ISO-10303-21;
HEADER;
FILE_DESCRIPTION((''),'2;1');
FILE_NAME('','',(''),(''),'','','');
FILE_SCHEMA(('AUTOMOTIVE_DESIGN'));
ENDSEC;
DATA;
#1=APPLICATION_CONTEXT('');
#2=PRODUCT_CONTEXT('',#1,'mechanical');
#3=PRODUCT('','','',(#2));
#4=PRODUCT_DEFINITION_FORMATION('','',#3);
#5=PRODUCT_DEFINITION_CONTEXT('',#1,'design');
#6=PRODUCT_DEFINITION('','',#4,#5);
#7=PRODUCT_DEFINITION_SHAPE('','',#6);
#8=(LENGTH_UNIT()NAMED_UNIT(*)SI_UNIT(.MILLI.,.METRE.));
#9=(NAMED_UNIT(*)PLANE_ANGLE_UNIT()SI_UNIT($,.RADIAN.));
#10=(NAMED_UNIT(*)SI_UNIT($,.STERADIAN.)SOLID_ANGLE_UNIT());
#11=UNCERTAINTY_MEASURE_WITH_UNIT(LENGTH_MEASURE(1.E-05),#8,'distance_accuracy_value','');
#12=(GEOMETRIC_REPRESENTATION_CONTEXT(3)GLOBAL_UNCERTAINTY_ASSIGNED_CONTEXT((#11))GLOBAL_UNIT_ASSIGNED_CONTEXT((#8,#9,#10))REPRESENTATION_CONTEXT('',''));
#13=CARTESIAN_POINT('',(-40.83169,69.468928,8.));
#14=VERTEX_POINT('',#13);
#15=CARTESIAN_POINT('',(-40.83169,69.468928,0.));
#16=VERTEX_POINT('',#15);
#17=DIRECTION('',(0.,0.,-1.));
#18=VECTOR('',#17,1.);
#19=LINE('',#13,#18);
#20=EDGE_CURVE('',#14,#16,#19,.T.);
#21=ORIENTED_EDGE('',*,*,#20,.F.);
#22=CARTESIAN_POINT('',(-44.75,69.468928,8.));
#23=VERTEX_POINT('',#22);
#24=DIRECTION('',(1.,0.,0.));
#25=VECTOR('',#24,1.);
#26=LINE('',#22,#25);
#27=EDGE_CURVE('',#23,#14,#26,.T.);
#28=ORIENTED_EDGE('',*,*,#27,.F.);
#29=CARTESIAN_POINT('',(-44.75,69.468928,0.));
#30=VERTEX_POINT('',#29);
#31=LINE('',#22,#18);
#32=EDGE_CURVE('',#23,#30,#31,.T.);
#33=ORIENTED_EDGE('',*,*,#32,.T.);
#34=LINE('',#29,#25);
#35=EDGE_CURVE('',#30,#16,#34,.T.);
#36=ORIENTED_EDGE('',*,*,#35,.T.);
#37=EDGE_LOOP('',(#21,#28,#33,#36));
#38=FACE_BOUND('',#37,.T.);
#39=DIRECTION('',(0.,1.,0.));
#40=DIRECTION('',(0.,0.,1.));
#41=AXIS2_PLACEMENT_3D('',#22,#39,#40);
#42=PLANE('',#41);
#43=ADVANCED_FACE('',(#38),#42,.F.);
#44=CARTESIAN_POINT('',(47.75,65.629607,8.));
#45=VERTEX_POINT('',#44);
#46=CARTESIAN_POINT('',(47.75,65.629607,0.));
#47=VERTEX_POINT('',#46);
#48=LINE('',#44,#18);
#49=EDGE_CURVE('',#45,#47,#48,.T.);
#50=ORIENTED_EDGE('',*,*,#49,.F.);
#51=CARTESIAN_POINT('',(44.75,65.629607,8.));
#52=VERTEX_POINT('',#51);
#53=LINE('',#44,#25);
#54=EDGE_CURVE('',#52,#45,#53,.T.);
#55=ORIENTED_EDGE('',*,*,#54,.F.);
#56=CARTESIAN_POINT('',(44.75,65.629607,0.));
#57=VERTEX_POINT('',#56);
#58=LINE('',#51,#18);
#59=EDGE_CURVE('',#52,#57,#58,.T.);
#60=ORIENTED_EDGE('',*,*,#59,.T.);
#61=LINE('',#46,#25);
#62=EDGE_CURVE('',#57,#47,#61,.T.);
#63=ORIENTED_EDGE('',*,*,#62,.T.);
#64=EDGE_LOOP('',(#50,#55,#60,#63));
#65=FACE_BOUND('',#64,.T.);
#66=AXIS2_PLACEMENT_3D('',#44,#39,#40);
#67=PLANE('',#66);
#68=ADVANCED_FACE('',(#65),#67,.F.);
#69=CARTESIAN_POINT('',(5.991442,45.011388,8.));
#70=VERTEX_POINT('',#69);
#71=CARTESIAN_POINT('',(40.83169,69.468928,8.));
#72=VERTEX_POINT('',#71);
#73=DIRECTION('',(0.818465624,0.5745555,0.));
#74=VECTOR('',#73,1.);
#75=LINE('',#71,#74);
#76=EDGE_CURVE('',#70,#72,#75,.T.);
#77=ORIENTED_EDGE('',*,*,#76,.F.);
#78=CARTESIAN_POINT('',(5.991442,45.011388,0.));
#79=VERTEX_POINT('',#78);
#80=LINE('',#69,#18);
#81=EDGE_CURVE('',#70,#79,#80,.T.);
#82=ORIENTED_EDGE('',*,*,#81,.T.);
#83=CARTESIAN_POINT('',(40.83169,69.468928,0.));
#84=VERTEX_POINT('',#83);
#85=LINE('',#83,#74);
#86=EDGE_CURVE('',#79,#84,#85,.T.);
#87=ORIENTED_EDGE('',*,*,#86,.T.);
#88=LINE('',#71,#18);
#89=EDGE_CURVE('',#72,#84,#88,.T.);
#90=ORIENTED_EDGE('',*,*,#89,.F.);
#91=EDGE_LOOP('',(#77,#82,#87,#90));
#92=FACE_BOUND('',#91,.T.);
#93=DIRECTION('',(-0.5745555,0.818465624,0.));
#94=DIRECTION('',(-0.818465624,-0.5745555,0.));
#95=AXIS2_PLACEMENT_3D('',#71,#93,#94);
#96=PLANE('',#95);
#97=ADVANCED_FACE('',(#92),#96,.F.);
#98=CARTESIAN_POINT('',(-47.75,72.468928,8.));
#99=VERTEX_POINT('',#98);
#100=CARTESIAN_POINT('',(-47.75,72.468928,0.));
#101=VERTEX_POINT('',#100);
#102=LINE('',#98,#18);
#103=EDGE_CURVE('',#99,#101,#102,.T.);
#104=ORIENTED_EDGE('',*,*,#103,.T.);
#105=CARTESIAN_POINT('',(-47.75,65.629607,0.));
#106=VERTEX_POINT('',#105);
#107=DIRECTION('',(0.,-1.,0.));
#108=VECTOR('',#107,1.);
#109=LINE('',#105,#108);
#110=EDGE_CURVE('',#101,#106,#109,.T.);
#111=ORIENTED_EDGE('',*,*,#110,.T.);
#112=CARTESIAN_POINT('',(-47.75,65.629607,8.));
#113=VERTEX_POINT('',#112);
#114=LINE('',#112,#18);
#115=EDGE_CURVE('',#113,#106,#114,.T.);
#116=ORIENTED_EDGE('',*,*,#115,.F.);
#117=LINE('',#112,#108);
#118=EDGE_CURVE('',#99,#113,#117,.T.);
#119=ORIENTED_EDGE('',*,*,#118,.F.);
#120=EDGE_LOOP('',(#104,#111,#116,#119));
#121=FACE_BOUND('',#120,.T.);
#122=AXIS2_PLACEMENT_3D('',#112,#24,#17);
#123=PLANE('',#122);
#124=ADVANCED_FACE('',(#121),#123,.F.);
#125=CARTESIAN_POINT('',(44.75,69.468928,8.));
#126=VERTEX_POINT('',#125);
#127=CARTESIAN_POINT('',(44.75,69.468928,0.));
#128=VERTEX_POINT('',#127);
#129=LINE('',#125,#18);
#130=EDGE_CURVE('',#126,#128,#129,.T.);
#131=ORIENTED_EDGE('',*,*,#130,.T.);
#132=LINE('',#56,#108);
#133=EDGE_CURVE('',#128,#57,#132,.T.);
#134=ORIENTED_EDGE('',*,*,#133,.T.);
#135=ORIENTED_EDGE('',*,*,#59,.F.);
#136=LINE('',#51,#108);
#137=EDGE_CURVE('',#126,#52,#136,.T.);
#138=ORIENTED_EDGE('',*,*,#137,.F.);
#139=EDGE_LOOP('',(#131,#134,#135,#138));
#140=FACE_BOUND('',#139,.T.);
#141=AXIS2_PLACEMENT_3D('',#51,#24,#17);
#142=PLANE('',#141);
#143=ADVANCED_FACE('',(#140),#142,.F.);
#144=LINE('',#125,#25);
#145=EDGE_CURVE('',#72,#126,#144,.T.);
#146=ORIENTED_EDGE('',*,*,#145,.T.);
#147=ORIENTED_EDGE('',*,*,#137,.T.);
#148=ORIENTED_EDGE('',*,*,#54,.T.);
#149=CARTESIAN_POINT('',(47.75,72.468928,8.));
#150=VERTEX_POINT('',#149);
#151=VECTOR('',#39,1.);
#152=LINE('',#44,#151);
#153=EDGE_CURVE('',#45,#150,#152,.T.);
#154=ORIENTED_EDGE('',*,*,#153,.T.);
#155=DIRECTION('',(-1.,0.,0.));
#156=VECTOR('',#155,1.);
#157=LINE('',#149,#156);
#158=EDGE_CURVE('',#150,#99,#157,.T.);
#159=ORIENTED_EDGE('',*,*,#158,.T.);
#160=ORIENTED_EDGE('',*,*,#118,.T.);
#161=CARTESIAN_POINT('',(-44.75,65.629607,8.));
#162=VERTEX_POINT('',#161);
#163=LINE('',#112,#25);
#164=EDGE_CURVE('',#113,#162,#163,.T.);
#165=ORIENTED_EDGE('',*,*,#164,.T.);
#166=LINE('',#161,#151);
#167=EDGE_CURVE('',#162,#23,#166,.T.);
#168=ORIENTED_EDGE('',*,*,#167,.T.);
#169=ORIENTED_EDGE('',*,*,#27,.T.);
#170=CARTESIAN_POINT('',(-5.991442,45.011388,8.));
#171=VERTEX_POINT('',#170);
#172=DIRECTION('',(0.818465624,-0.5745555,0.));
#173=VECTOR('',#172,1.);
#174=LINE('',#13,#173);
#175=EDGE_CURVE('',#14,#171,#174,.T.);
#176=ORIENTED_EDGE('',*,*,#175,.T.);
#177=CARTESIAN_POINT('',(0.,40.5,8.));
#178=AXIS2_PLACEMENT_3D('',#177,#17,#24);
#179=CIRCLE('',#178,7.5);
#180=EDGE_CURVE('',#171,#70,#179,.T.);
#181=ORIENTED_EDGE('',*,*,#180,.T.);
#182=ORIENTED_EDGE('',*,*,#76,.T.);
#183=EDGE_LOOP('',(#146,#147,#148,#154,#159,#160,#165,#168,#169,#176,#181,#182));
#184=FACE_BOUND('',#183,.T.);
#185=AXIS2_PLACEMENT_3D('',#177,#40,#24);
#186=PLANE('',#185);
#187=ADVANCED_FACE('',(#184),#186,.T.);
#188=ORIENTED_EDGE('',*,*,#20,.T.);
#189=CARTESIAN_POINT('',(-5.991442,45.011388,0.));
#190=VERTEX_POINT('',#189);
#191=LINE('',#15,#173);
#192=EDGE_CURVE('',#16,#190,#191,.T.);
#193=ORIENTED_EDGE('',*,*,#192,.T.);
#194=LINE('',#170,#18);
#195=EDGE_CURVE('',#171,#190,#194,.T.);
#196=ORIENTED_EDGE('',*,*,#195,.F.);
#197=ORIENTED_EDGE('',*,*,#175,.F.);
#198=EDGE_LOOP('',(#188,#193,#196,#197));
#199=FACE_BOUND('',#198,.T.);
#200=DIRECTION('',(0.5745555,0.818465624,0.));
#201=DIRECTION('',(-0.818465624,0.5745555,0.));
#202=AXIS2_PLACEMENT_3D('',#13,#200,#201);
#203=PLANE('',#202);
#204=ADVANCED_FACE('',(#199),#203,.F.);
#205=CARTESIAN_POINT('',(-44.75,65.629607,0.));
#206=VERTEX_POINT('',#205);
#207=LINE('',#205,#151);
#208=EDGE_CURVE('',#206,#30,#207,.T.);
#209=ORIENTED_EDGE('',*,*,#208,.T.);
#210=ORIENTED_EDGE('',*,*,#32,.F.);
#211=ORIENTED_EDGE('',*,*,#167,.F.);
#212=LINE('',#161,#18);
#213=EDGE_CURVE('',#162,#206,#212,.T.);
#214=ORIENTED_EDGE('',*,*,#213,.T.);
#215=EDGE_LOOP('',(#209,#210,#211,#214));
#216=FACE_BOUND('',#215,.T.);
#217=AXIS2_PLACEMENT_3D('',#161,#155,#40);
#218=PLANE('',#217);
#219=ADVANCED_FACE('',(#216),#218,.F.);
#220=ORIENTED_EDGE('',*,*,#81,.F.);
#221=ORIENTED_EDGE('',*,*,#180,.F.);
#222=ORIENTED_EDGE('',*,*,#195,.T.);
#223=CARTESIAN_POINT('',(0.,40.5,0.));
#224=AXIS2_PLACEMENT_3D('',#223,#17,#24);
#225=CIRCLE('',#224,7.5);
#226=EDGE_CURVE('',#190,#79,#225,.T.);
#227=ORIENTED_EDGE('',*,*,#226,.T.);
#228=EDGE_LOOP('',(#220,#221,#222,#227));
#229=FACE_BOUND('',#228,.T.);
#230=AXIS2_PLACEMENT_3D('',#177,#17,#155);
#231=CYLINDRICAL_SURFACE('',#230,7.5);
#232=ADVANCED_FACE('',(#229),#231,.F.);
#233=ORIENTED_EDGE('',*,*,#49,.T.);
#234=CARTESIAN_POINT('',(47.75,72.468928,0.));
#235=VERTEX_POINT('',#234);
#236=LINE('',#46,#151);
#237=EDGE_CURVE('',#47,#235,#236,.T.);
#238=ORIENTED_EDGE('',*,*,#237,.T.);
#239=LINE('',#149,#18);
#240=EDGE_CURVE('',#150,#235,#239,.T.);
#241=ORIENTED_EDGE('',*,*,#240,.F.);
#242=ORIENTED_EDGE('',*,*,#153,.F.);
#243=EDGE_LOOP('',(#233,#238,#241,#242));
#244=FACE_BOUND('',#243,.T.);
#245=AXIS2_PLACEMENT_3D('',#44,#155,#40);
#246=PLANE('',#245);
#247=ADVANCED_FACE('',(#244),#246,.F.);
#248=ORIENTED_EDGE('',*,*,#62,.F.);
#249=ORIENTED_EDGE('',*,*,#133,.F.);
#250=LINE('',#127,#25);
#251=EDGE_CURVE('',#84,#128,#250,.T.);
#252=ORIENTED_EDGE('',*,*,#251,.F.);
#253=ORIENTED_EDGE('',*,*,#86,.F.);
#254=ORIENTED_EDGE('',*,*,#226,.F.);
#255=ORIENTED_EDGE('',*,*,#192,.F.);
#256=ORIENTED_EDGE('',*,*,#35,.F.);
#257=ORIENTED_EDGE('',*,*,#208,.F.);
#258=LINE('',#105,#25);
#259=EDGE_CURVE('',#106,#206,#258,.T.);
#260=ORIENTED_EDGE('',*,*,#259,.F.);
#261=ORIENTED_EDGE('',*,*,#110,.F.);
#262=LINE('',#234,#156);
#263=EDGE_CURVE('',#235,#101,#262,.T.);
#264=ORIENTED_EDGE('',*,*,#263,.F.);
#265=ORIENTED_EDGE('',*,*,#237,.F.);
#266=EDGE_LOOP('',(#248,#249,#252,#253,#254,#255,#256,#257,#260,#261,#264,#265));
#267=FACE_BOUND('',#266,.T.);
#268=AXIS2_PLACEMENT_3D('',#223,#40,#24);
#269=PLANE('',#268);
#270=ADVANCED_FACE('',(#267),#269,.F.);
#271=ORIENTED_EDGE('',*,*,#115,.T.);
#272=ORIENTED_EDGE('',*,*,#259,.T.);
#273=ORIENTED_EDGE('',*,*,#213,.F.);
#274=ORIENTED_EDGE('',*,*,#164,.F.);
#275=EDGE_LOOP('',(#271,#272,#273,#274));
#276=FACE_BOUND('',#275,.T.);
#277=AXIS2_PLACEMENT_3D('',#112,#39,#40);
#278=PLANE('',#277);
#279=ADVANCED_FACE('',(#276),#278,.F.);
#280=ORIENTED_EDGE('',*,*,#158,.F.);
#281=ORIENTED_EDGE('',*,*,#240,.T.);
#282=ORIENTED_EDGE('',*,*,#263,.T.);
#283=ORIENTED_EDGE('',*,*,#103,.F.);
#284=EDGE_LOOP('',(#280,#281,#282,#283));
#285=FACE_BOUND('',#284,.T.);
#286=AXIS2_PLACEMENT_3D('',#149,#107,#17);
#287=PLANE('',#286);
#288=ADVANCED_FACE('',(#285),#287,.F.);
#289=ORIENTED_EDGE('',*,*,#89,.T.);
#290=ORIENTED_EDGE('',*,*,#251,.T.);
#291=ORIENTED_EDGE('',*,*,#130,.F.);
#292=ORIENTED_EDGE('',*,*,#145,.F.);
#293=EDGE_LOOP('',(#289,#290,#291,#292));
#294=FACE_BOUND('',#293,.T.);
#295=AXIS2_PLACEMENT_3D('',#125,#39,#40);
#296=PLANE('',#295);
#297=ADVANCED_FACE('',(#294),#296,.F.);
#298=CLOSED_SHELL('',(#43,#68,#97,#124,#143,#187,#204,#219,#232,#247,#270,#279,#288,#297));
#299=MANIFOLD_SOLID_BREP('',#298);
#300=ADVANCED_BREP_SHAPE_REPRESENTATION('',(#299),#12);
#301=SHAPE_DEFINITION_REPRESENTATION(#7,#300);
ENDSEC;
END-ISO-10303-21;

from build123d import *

# Parameters (mm, degrees)
BOSS_EXTRU_1_DEPTH = 8


with BuildPart() as part:
    # Esquisse2 → Boss.-Extru.1 (new body)
    with BuildSketch(Plane.XY):
        with BuildLine():
            Line((-47.75, 65.629607354), (-44.75, 65.629607354))
            Line((-44.75, 65.629607354), (-44.75, 69.468928374))
            Line((-44.75, 69.468928374), (-40.831689929, 69.468928374))
            Line((-40.831689929, 69.468928374), (-5.991442082, 45.011388011))
            ThreePointArc((-5.991442082, 45.011388011), (0, 48), (5.991442082, 45.011388011))
            Line((5.991442082, 45.011388011), (40.831689929, 69.468928374))
            Line((40.831689929, 69.468928374), (44.75, 69.468928374))
            Line((44.75, 69.468928374), (44.75, 65.629607354))
            Line((44.75, 65.629607354), (47.75, 65.629607354))
            Line((47.75, 65.629607354), (47.75, 72.468928374))
            Line((47.75, 72.468928374), (-47.75, 72.468928374))
            Line((-47.75, 72.468928374), (-47.75, 65.629607354))
        make_face()
    extrude(amount=BOSS_EXTRU_1_DEPTH)


solid = part.part
